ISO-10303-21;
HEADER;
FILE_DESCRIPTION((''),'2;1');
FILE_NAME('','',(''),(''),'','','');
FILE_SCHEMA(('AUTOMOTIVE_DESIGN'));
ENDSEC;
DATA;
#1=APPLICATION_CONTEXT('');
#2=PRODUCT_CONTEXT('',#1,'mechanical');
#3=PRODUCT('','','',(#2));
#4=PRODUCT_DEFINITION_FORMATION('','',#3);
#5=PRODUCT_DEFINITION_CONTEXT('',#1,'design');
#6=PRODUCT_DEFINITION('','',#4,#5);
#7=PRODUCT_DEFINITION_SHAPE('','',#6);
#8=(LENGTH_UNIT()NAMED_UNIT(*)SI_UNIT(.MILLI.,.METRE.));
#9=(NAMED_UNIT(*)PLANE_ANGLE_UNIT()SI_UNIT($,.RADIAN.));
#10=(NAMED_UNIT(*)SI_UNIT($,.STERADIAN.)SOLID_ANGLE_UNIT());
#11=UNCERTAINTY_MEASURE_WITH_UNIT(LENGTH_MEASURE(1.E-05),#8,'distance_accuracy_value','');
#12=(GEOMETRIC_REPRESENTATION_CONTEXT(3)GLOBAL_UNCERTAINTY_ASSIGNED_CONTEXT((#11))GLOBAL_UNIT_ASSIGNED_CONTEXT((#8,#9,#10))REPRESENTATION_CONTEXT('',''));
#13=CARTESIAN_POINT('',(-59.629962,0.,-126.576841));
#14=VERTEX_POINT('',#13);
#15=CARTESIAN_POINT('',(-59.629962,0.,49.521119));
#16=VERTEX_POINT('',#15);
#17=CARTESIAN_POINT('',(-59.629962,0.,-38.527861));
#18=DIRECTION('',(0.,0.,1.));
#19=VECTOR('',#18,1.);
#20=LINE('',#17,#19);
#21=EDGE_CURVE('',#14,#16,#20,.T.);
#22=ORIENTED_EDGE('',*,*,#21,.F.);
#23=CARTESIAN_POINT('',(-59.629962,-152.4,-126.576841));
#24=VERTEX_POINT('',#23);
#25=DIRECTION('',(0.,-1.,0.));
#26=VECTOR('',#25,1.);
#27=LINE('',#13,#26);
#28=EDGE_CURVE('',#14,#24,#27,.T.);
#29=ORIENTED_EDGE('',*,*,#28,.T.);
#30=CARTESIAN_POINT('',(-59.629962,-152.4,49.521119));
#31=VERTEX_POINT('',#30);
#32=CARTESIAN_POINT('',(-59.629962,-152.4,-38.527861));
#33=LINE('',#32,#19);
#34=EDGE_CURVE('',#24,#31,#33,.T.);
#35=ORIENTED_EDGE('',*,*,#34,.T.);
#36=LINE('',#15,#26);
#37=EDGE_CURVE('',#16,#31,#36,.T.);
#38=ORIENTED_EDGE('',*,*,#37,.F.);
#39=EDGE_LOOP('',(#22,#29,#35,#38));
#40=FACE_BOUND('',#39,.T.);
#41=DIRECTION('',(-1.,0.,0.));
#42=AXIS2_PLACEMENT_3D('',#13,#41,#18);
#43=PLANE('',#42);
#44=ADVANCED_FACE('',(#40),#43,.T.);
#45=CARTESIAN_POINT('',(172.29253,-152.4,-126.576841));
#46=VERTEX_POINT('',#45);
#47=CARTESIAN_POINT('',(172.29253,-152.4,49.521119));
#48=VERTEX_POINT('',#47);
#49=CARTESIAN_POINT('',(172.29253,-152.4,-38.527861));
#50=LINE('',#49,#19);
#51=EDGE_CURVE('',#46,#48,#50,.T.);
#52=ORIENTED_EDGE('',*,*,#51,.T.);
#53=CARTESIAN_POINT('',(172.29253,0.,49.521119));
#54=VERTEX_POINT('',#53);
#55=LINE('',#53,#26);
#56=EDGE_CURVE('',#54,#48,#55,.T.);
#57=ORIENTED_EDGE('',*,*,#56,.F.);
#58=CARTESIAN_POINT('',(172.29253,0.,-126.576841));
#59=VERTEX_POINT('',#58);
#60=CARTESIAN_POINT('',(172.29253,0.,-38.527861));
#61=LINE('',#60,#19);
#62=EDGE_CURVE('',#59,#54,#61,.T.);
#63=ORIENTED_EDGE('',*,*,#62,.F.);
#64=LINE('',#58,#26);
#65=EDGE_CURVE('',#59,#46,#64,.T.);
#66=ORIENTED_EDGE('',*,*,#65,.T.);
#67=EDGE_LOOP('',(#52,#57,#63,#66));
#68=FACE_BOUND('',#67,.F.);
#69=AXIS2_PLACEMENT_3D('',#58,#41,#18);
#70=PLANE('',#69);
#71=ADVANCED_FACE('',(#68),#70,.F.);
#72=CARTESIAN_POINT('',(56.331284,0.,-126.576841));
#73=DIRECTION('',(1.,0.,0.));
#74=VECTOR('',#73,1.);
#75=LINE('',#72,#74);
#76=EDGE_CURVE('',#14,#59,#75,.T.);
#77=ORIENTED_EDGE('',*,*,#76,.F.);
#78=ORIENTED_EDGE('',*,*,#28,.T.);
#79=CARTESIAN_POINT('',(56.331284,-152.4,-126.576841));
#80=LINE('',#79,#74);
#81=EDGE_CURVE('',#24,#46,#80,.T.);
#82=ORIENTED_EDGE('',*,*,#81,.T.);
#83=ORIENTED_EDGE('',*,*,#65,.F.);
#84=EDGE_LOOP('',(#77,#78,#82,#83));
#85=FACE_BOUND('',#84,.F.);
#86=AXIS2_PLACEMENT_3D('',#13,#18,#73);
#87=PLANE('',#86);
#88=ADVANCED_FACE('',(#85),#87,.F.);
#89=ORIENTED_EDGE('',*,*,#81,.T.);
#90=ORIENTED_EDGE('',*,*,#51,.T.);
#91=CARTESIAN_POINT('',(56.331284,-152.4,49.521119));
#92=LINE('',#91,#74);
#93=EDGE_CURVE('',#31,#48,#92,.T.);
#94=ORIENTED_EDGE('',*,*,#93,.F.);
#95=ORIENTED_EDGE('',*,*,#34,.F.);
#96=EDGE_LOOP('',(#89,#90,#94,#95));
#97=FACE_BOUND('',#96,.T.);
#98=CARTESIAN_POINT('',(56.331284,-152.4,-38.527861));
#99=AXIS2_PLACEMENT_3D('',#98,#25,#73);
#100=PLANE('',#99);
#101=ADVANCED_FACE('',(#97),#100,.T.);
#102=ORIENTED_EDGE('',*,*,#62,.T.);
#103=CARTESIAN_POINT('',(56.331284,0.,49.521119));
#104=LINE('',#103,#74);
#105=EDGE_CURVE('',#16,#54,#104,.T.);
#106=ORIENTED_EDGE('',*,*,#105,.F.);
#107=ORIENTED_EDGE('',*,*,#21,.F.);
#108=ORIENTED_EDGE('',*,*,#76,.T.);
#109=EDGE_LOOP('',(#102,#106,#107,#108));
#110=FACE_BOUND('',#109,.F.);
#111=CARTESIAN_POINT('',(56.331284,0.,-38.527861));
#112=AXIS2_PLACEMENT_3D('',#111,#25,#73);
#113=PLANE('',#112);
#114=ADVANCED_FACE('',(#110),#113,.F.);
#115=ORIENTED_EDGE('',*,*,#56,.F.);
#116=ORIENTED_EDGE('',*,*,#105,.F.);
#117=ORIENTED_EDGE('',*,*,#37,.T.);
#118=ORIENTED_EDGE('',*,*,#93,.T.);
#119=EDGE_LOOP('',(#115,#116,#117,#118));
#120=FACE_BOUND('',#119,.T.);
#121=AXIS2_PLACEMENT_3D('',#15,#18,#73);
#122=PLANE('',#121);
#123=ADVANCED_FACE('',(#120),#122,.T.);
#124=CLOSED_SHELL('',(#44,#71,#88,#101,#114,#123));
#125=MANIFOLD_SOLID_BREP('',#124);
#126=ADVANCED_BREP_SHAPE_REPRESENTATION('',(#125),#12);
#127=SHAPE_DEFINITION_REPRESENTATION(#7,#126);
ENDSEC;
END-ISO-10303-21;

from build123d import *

# Parameters (mm, degrees)
F0_W     = 231.922493
F0_H     = 176.097959
F1_DEPTH = 152.4
F2_W     = 140.724987
F2_H     = 8.766732
F3_DEPTH = 12.7


with BuildPart() as f1:
    # F0 (on Front) → F1 (new body)
    with BuildSketch(Plane.XZ):
        with Locations((56.331284, -38.527861)):
            Rectangle(F0_W, F0_H)
    extrude(amount=F1_DEPTH)

    # F2 (on face) → F3 (join)
    with BuildSketch(Plane.XZ.offset(152.4)):
        with Locations((70.362493, -4.383366)):
            Rectangle(F2_W, F2_H)
    extrude(amount=-F3_DEPTH)


solid = f1.part
